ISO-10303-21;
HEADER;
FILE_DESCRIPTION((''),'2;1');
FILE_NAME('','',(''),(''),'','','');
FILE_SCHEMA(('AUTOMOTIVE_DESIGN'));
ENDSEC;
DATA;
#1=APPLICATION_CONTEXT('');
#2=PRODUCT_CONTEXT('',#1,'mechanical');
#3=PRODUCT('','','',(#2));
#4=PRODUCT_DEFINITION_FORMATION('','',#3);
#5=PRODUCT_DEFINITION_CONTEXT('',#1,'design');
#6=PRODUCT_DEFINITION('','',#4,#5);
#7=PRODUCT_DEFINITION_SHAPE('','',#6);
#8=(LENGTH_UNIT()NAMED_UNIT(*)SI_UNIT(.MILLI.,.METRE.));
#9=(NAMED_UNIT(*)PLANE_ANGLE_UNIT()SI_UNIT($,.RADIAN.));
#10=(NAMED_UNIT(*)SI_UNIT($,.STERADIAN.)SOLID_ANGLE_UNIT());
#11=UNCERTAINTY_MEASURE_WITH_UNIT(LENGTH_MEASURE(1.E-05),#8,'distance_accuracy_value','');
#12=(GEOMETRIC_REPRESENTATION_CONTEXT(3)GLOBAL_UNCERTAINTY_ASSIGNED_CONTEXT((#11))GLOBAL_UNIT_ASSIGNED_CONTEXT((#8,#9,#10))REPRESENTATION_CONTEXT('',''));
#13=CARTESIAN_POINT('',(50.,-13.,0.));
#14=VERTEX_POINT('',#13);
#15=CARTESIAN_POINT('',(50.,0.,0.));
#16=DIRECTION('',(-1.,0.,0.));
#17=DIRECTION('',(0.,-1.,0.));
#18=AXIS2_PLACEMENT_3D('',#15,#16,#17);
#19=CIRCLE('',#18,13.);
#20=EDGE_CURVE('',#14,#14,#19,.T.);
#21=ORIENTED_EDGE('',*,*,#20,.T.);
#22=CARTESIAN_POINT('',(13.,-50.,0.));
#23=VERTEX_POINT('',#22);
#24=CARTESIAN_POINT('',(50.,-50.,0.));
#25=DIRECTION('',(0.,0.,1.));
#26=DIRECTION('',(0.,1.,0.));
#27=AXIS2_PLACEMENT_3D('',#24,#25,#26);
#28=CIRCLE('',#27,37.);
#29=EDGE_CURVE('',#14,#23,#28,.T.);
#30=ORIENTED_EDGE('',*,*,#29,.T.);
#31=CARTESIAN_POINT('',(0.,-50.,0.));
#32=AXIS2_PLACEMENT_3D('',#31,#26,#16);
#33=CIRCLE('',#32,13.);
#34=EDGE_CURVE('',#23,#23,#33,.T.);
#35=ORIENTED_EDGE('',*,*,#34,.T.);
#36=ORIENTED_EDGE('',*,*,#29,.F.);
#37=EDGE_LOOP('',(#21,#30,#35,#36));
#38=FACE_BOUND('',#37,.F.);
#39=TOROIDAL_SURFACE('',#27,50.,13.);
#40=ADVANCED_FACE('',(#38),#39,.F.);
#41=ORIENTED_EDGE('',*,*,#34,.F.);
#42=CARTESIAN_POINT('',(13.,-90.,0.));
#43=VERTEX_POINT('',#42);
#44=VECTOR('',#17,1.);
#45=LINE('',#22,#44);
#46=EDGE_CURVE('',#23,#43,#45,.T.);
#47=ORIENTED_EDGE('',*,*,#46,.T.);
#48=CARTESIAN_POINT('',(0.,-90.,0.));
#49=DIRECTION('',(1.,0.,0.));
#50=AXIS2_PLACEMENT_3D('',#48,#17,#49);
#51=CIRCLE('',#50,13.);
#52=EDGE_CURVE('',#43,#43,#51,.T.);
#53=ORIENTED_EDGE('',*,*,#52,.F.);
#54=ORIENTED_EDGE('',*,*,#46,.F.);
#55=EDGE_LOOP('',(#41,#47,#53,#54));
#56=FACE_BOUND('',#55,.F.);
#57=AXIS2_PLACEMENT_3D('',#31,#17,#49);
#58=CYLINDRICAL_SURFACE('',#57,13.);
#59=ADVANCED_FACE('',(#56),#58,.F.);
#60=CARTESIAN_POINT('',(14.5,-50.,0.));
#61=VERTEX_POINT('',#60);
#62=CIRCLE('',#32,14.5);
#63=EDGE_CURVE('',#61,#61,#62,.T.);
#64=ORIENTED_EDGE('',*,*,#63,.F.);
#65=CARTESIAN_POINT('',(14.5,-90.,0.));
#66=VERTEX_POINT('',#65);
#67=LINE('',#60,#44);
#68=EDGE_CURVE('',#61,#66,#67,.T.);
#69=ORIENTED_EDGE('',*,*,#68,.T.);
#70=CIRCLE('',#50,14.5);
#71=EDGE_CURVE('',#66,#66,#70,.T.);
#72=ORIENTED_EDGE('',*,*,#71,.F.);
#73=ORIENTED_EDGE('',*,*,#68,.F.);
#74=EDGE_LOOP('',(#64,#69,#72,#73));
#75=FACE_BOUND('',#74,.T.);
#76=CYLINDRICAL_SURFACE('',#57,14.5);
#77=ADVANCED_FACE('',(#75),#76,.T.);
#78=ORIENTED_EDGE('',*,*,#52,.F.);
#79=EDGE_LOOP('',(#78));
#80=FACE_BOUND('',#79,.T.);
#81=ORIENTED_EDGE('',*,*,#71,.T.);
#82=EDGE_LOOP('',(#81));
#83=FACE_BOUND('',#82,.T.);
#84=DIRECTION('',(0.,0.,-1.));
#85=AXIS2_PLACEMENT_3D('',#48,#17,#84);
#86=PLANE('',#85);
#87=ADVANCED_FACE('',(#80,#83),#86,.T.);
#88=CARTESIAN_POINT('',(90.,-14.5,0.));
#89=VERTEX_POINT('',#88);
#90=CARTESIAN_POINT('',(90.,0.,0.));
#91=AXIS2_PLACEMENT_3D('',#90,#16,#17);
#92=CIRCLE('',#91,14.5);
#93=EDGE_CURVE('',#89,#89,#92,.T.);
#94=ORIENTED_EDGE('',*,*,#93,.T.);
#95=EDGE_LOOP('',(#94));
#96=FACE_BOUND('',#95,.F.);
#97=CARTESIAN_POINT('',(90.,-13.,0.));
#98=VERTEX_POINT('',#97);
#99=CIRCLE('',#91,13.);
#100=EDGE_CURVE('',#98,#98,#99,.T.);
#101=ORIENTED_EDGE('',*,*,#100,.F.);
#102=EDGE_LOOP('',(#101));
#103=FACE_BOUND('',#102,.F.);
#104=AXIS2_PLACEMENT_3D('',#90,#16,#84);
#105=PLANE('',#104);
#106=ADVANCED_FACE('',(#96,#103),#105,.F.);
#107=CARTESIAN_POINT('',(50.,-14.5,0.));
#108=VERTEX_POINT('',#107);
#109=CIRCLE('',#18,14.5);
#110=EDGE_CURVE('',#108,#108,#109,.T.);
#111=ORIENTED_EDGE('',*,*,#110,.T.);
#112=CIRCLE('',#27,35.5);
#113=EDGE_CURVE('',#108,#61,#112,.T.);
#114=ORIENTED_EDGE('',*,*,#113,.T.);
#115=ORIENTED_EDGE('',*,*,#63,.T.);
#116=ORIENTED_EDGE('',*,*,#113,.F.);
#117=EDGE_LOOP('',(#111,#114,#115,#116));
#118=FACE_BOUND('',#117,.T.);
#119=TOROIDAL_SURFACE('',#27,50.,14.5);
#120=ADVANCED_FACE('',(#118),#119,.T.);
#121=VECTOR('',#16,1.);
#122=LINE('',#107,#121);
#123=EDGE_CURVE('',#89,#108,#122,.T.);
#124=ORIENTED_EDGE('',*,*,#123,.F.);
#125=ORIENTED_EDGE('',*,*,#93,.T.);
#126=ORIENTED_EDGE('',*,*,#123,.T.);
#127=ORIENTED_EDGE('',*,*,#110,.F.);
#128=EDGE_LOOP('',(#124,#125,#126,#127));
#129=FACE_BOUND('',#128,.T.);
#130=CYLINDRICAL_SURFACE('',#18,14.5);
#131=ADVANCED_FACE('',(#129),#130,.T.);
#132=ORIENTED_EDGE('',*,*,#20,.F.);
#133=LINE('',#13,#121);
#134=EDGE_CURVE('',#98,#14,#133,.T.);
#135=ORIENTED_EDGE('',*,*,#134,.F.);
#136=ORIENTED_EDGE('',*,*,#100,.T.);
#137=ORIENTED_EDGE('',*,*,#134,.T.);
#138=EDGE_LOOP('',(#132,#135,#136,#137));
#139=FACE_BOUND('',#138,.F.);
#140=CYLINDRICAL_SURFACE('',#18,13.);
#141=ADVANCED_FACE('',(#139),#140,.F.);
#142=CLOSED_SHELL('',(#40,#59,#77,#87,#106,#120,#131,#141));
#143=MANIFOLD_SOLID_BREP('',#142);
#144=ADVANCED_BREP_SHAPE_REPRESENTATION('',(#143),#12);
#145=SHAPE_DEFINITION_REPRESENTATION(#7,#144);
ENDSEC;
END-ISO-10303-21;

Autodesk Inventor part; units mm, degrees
ref_plane "YZ Plane" through (0, 0, 0) normal (1, 0, 0) x (0, 1, 0)
ref_plane "XZ Plane" through (0, 0, 0) normal (0, 1, 0) x (-1, 0, 0)
sketch "Szkic6" plane through (0, 0, 0) normal (0, 0, 1) x (1, 0, 0)
  line L0 (-29.6067, 0) -> (35.2678, 0) construction
  line L1 (0, 42.3419) -> (0, -58.3726) construction
  arc A0 (50, 0) -> (0, -50) centre (50, -50) ccw
  line L2 (0, -50) -> (50, -50) construction
  line L3 (50, -50) -> (50, 15.5331) construction
  line L4 (50, 0) -> (90, 0)
  line L5 (0, -50) -> (0, -90)
  point P0 (0, 0)
  dimension "d24" = 50
  dimension "d31" = 90
  dimension "d36" = 40
  dimension "d37" = 40
ref_plane "Płaszczyzna konstrukcyjna2" through (0, -50, 0) normal (0, -1, 0) x (1, 0, 0)
sketch "Szkic8" plane through (0, -50, 0) normal (0, -1, 0) x (1, 0, 0)
  circle A0 centre (0, 0) radius 14.5
  circle A1 centre (0, 0) radius 13
  dimension "d32" = 29
  dimension "d33" = 1.5
sweep "Przeciągnięcie2" add profiles "Szkic8" path "Szkic6"
equation "\"d32\" = OD"
equation "\"d33\" = THK"
equation "\"d24\" = R"
equation "\"d31\" = KAT"
equation "\"d36\" = PROSTKA"
equation "\"d37\" = PROSTKA"
equation "\"SzerokośćGięciaPodcięcia\" = Grubość"
equation "\"RozmiarPodcięciaNarożnika\" = 4 * Grubość"
equation "\"PromieńPrzejścia\" = PromieńGięcia"
equation "\"Rozmiar_promienia_Jacobiego\" = PromieńGięcia"
equation "\"Wielk_odstępu\" = Grubość"
equation "\"d2\" = PromieńGięcia"
equation "\"d23\" = PromieńGięcia"
equation "\"R\" = 50"
equation "\"OD\" = 29"
equation "\"THK\" = 1.5"
equation "\"KAT\" = 90deg"
equation "\"PROSTKA\" = 40"
equation "\"Grubość\" = 1.5"
equation "\"PromieńGięcia\" = 3"
properties part number "Kolano 90° ø29x1,5 R50" material "304L"
